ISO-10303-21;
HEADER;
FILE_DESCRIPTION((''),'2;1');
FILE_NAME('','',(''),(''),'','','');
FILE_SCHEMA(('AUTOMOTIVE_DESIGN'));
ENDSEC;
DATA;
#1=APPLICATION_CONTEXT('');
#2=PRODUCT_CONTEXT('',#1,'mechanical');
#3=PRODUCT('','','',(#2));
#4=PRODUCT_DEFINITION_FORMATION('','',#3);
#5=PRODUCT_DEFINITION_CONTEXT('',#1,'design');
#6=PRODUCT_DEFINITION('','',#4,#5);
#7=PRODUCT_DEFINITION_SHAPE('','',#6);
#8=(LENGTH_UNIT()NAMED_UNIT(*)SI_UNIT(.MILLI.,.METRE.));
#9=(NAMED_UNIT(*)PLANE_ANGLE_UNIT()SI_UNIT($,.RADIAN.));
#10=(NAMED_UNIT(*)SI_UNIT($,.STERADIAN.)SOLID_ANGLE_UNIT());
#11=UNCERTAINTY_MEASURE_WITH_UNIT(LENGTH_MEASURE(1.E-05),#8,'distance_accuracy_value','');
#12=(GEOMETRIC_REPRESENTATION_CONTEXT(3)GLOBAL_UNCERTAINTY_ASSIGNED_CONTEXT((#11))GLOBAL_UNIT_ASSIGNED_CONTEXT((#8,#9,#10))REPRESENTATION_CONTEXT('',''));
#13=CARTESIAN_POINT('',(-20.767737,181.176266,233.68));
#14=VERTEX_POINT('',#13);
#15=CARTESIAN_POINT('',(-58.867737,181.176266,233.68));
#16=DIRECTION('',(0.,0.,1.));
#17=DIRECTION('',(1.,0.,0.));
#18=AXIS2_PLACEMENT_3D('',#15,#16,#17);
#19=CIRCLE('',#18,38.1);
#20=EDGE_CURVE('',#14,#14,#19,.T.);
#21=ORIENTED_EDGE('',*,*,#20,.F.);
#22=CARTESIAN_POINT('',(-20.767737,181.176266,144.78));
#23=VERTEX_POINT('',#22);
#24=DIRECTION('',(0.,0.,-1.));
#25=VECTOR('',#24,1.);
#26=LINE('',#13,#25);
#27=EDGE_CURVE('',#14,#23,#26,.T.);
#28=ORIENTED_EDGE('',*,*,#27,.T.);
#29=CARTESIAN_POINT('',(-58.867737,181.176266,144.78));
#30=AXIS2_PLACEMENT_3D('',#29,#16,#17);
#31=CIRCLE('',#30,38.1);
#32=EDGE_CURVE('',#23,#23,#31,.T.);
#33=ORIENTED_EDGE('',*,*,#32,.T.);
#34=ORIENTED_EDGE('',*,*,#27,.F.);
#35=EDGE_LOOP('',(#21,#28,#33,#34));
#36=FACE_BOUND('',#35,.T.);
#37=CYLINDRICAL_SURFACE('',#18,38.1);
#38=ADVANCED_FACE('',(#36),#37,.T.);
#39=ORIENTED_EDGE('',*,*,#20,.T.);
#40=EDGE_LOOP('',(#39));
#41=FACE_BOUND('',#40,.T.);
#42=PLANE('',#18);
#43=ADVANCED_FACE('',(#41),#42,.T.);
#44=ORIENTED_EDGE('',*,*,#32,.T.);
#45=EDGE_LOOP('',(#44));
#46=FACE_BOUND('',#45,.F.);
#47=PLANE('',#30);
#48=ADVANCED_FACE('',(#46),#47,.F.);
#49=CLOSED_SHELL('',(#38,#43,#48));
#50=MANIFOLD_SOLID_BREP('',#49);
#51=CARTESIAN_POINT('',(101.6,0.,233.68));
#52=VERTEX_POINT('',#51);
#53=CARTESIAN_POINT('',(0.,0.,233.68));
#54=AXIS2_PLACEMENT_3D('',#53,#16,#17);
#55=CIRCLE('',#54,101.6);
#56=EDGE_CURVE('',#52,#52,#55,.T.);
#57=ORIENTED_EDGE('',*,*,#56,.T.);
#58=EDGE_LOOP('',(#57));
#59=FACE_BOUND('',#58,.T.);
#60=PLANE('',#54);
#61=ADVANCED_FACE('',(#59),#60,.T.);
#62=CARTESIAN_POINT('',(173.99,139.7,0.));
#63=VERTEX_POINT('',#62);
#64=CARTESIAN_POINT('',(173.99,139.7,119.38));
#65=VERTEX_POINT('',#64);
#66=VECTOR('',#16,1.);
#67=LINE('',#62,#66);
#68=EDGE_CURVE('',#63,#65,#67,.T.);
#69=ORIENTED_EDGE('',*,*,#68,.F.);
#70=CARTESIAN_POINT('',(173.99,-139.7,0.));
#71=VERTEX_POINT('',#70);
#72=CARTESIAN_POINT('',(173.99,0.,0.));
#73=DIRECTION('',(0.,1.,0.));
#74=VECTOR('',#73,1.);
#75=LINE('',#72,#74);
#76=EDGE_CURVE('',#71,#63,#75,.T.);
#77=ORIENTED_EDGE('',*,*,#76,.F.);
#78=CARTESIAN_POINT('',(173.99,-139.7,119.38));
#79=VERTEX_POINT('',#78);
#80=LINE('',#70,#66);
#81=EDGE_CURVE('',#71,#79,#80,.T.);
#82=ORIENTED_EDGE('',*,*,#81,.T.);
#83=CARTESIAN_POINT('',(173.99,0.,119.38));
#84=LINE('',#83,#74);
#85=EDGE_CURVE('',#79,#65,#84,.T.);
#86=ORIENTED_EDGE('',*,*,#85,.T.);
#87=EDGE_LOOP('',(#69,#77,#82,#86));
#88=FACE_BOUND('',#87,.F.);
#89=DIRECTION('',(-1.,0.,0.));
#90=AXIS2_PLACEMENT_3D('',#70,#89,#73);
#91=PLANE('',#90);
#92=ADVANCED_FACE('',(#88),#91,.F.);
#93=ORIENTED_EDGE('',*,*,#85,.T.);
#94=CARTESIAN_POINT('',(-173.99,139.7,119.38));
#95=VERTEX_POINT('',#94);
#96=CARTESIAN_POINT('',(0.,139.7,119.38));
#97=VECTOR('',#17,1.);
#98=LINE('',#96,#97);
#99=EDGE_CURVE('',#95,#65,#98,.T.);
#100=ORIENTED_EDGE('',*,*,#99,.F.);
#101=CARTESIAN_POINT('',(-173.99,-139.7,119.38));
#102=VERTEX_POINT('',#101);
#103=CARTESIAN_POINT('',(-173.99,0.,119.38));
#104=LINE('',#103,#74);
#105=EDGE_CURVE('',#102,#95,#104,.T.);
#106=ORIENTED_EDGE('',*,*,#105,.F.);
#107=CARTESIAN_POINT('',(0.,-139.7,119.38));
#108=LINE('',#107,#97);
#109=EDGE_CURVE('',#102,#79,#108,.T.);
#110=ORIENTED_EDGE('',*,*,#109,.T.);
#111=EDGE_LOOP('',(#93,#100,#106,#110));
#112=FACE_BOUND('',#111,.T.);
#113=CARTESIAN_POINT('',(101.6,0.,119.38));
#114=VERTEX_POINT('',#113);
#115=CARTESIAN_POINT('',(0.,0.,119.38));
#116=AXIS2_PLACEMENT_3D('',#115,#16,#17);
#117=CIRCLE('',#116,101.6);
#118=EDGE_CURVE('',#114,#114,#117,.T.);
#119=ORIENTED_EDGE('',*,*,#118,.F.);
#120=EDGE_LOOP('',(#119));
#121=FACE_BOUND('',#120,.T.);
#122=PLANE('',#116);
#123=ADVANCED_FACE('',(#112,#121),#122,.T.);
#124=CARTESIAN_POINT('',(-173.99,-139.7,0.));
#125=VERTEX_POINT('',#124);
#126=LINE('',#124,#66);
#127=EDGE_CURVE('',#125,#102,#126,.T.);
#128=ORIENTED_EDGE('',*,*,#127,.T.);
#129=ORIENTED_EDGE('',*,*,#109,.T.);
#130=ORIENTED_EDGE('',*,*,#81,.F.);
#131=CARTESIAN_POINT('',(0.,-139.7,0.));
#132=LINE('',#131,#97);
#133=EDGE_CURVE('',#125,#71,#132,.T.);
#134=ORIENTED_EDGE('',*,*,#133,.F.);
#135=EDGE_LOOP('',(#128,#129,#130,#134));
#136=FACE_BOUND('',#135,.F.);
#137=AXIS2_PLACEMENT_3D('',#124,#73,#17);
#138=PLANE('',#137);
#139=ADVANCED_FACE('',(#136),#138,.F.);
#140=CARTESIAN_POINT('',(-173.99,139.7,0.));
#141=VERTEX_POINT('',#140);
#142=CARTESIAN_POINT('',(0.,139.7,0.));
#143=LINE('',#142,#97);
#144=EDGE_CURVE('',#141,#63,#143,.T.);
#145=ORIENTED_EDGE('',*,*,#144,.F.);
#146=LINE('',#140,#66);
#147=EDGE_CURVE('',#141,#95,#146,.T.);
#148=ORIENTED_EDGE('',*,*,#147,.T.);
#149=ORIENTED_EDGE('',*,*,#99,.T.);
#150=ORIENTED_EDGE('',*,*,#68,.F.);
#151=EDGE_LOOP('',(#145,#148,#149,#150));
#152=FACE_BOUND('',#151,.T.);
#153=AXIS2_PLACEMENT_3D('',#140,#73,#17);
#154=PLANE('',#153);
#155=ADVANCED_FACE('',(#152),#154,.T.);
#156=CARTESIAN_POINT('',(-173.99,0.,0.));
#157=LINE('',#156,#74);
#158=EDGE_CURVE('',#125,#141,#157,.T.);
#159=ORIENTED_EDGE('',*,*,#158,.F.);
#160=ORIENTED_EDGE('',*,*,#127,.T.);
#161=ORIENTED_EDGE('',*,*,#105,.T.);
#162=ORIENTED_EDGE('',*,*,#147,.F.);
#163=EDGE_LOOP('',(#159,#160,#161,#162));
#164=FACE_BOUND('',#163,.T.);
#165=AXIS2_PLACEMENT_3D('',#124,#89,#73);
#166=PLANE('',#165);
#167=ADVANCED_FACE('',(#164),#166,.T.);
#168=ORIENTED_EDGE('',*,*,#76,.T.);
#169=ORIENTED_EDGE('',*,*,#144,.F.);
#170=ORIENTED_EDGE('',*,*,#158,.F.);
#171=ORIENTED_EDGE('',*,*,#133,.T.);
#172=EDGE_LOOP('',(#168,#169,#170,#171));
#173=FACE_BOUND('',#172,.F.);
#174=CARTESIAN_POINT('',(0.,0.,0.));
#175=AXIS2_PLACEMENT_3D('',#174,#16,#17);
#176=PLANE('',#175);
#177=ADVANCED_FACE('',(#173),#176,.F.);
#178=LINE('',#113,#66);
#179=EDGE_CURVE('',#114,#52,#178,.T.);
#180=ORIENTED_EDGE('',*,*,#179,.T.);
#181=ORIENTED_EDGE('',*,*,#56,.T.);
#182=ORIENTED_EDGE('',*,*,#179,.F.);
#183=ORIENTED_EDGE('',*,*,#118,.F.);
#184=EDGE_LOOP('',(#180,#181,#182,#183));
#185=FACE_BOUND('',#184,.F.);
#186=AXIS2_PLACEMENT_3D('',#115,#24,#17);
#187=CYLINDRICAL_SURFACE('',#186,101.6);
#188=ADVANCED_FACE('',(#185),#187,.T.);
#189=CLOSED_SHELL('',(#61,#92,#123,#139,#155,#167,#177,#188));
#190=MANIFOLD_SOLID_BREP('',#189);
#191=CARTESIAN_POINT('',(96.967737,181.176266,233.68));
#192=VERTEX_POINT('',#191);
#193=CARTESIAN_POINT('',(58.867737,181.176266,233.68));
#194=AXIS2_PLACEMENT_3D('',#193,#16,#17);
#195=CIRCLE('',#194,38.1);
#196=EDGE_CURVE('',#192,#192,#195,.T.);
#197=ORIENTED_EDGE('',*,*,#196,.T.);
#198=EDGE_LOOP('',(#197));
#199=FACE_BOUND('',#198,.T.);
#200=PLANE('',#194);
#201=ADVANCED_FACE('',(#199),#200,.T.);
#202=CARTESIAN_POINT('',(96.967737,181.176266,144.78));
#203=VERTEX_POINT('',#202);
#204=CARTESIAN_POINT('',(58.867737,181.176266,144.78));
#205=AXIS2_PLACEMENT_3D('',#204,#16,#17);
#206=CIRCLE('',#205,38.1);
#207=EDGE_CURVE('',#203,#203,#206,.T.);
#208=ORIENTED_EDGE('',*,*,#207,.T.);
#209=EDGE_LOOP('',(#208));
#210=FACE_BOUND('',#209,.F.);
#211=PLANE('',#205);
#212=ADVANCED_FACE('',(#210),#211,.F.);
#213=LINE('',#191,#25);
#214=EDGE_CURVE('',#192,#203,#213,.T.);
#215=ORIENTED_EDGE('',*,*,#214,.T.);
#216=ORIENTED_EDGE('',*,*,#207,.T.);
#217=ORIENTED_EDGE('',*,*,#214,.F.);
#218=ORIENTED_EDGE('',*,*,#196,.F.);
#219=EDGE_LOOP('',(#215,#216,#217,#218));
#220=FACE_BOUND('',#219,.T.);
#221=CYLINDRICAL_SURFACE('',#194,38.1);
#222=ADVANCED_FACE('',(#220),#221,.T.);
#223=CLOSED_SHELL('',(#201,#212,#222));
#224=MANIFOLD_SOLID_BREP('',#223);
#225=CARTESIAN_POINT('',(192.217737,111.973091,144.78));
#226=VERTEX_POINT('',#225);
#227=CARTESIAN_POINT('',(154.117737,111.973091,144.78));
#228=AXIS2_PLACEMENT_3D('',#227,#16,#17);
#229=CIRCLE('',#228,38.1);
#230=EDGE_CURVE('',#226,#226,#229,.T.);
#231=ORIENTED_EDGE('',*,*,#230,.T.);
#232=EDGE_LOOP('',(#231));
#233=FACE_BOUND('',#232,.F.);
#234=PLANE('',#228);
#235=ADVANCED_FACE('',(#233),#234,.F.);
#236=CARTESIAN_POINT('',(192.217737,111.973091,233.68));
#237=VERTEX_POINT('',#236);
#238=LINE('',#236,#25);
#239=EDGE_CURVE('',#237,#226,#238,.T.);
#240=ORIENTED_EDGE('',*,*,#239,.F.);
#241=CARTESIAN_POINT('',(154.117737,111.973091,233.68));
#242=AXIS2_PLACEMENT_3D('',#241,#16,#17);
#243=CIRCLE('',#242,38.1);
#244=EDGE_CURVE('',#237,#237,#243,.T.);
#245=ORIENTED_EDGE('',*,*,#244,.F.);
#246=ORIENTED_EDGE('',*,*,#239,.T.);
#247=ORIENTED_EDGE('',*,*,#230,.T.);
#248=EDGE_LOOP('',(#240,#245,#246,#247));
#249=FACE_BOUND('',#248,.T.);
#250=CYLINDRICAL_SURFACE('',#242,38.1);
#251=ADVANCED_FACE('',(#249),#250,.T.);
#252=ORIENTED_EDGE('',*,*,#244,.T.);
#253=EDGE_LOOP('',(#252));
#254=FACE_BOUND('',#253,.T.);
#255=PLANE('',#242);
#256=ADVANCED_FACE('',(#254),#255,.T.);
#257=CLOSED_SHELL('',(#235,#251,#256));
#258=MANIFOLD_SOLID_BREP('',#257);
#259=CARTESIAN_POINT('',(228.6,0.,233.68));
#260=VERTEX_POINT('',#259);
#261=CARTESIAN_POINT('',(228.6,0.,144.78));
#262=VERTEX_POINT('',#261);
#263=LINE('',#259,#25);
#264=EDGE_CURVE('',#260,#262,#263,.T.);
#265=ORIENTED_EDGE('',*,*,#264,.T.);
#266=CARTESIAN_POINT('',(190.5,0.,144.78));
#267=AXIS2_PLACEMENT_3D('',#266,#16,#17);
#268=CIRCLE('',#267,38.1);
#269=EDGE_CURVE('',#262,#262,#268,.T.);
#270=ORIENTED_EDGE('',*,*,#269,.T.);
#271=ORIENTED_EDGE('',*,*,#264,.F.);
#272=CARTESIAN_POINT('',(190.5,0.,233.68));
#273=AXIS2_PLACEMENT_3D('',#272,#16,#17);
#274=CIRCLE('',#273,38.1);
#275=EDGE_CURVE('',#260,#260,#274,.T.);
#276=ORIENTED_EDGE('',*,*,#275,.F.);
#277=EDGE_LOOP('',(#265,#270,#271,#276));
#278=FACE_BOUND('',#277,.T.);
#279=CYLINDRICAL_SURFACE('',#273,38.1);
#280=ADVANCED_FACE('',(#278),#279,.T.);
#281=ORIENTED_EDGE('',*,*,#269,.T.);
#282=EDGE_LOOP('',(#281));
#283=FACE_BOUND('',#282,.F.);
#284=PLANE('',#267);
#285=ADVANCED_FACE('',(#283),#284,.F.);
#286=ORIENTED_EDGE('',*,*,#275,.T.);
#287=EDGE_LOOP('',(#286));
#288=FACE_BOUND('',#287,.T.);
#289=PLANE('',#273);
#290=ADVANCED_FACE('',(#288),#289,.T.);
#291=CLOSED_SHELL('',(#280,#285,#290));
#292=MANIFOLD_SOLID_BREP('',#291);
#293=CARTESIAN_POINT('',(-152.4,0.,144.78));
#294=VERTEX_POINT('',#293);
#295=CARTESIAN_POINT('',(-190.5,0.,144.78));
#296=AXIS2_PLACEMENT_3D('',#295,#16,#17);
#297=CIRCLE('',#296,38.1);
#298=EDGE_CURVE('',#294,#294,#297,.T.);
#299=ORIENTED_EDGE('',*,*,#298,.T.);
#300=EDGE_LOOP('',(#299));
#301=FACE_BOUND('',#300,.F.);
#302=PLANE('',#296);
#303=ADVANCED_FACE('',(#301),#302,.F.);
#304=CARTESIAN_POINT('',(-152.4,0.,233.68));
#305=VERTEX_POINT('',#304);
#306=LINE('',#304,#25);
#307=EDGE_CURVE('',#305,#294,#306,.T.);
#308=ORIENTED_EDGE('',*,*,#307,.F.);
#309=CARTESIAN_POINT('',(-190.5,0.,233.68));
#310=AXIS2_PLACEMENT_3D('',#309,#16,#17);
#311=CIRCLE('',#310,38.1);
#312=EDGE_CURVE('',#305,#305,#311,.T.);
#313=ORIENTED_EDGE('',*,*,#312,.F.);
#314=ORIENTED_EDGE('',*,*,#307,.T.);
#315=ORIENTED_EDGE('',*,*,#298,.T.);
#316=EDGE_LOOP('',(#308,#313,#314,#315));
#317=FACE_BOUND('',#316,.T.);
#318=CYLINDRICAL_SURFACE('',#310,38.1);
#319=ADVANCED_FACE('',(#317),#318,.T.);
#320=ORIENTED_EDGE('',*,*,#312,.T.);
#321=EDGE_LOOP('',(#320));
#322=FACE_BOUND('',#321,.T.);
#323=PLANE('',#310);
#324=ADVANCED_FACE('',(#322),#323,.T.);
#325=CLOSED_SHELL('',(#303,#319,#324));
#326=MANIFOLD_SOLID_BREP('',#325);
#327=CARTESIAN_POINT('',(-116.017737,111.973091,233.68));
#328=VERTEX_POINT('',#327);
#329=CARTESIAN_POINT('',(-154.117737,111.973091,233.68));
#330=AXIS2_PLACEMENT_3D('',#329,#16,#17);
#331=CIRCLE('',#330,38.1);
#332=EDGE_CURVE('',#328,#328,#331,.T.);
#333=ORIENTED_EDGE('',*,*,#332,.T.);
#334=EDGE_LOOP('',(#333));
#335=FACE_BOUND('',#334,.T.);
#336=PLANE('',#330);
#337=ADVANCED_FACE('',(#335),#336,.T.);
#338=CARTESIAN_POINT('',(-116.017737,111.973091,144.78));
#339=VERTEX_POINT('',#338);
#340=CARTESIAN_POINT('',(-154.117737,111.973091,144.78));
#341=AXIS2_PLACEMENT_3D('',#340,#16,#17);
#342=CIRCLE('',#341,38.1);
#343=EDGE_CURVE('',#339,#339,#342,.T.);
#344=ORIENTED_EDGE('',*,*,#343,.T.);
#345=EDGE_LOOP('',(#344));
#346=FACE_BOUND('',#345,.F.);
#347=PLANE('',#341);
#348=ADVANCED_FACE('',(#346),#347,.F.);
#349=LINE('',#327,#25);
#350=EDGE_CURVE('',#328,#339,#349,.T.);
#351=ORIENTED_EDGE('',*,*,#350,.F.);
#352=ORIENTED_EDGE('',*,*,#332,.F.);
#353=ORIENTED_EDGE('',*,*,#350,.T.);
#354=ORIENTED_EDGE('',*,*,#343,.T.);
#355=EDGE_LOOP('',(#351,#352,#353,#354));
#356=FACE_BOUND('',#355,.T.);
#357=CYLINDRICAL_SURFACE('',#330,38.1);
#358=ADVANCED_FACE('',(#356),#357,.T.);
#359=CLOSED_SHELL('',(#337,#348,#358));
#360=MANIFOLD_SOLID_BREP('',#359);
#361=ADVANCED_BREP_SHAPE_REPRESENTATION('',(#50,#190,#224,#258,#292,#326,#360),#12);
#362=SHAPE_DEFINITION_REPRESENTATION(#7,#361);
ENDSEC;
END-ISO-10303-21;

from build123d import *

# Parameters (mm, degrees)
F0_W     = 347.98
F0_H     = 279.4
F1_DEPTH = 119.38
F2_R     = 101.6
F3_DEPTH = 114.3
F4_R     = 38.1
F5_DEPTH = 88.9


with BuildPart() as f1:
    # F0 (on Top) → F1 (new body)
    with BuildSketch(Plane.XY):
        Rectangle(F0_W, F0_H)
    extrude(amount=F1_DEPTH)

    # F2 (on face) → F3 (join)
    with BuildSketch(Plane.XY.offset(119.38)):
        Circle(F2_R)
    extrude(amount=F3_DEPTH)


with BuildPart() as f5:
    # F4 (on face) → F5 (new body)
    with BuildSketch(Plane.XY.offset(233.68)):
        with Locations((-190.5, 0)):
            Circle(F4_R)
        with Locations((-154.117737, 111.973091)):
            Circle(F4_R)
        with Locations((-58.867737, 181.176266)):
            Circle(F4_R)
        with Locations((58.867737, 181.176266)):
            Circle(F4_R)
        with Locations((154.117737, 111.973091)):
            Circle(F4_R)
        with Locations((190.5, 0)):
            Circle(F4_R)
    extrude(amount=-F5_DEPTH)


solid = Compound([f1.part, f5.part])
